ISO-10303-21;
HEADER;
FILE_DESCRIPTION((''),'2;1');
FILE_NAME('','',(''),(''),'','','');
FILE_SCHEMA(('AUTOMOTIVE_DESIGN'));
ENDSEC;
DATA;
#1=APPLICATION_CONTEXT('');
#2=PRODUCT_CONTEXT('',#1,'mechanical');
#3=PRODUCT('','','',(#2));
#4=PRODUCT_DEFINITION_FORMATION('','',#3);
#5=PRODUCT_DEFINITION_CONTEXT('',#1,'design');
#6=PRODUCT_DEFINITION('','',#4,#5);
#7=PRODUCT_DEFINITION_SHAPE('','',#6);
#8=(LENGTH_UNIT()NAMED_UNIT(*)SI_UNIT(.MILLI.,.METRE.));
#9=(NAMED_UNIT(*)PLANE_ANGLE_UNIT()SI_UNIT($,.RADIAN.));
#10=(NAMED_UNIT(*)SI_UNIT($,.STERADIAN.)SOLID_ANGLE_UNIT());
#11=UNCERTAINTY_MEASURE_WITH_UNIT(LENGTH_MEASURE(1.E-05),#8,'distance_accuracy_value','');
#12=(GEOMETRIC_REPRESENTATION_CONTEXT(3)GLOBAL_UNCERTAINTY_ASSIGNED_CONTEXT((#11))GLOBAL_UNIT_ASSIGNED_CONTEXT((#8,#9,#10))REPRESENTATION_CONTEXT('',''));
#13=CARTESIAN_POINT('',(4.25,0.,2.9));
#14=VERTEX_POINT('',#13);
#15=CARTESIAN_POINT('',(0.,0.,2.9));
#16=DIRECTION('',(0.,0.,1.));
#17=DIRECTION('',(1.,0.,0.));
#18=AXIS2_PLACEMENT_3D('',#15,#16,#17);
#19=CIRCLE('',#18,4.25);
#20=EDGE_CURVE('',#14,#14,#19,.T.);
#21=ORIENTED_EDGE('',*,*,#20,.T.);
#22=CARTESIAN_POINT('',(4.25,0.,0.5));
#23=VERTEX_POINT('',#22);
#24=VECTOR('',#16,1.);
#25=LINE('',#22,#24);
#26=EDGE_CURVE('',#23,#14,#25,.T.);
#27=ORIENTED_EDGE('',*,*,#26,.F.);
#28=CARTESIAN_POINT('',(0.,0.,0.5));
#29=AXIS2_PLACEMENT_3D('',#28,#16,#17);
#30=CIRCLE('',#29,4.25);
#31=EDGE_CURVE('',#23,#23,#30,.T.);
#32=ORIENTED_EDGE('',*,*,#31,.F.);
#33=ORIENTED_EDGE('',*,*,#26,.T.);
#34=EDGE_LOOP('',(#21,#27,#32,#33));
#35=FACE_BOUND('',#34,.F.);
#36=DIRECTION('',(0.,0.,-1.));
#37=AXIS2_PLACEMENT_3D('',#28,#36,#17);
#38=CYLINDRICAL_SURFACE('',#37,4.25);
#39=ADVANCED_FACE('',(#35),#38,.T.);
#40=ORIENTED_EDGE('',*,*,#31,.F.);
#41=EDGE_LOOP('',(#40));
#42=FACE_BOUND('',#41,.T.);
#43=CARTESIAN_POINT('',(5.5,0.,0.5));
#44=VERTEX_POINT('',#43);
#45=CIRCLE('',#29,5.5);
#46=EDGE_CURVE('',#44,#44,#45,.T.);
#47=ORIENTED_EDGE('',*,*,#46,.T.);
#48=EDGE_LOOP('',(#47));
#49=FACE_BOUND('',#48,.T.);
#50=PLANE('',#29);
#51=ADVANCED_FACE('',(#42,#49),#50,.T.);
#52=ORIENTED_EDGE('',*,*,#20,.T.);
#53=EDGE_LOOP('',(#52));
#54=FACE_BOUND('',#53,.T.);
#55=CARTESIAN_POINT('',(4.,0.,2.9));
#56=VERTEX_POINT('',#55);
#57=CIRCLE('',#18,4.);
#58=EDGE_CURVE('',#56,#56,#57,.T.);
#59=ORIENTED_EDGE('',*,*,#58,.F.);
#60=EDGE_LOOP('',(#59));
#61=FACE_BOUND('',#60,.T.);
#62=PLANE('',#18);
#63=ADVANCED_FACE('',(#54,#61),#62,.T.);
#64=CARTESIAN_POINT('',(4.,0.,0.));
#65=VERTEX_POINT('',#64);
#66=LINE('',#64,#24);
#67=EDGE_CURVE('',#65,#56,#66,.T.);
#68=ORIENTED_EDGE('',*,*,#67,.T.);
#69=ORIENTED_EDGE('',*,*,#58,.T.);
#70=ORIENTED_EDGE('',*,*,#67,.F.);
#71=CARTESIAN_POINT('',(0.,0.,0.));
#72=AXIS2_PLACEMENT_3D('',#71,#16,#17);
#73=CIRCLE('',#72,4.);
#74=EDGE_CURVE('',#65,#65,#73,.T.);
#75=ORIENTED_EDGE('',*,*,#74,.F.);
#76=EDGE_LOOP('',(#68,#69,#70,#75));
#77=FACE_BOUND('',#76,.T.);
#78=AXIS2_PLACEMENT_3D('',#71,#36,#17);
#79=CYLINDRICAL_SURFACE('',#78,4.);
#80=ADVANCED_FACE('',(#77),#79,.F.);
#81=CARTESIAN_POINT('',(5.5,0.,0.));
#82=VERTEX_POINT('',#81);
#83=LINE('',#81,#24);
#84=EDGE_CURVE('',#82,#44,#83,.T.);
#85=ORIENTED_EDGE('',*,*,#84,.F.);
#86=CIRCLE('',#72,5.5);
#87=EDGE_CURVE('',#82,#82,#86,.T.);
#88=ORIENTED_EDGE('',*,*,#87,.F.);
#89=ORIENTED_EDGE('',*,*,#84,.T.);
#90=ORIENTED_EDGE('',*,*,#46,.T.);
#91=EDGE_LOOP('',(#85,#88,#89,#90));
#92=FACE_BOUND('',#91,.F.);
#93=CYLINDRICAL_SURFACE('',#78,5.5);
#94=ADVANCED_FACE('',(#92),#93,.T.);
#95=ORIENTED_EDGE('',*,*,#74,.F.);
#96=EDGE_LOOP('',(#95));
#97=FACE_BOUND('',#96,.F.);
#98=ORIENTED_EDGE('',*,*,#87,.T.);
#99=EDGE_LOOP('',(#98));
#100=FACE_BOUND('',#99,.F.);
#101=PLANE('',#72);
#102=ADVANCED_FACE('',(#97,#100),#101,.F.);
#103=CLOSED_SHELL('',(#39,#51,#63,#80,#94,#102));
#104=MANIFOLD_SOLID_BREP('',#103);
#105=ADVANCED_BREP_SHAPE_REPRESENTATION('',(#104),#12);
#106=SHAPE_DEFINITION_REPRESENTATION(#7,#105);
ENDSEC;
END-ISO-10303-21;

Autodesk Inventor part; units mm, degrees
ref_plane "YZ Plane" through (0, 0, 0) normal (1, 0, 0) x (0, 1, 0)
ref_plane "XZ Plane" through (0, 0, 0) normal (0, 1, 0) x (-1, 0, 0)
ref_plane "XY Plane" through (0, 0, 0) normal (0, 0, 1) x (1, 0, 0)
sketch "Sketch1" plane through (0, 0, 0) normal (0, 0, 1) x (1, 0, 0)
  circle A0 centre (0, 0) radius 5.5
  circle A1 centre (0, 0) radius 4
  dimension "d0" = 11
  dimension "d1" = 8
extrude "Extrusion1" add sketch "Sketch1" along normal blind 0.5
sketch "Sketch2" plane through (0, 0, 0.5) normal (0, 0, 1) x (1, 0, 0)
  circle A0 centre (0, 0) radius 4
  circle A1 centre (0, 0) radius 4.25
  dimension "d4" = 8.5
  dimension "d7" = 8
extrude "Extrusion2" add sketch "Sketch2" along normal blind 2.4
properties part number "ShoulderWasher"
